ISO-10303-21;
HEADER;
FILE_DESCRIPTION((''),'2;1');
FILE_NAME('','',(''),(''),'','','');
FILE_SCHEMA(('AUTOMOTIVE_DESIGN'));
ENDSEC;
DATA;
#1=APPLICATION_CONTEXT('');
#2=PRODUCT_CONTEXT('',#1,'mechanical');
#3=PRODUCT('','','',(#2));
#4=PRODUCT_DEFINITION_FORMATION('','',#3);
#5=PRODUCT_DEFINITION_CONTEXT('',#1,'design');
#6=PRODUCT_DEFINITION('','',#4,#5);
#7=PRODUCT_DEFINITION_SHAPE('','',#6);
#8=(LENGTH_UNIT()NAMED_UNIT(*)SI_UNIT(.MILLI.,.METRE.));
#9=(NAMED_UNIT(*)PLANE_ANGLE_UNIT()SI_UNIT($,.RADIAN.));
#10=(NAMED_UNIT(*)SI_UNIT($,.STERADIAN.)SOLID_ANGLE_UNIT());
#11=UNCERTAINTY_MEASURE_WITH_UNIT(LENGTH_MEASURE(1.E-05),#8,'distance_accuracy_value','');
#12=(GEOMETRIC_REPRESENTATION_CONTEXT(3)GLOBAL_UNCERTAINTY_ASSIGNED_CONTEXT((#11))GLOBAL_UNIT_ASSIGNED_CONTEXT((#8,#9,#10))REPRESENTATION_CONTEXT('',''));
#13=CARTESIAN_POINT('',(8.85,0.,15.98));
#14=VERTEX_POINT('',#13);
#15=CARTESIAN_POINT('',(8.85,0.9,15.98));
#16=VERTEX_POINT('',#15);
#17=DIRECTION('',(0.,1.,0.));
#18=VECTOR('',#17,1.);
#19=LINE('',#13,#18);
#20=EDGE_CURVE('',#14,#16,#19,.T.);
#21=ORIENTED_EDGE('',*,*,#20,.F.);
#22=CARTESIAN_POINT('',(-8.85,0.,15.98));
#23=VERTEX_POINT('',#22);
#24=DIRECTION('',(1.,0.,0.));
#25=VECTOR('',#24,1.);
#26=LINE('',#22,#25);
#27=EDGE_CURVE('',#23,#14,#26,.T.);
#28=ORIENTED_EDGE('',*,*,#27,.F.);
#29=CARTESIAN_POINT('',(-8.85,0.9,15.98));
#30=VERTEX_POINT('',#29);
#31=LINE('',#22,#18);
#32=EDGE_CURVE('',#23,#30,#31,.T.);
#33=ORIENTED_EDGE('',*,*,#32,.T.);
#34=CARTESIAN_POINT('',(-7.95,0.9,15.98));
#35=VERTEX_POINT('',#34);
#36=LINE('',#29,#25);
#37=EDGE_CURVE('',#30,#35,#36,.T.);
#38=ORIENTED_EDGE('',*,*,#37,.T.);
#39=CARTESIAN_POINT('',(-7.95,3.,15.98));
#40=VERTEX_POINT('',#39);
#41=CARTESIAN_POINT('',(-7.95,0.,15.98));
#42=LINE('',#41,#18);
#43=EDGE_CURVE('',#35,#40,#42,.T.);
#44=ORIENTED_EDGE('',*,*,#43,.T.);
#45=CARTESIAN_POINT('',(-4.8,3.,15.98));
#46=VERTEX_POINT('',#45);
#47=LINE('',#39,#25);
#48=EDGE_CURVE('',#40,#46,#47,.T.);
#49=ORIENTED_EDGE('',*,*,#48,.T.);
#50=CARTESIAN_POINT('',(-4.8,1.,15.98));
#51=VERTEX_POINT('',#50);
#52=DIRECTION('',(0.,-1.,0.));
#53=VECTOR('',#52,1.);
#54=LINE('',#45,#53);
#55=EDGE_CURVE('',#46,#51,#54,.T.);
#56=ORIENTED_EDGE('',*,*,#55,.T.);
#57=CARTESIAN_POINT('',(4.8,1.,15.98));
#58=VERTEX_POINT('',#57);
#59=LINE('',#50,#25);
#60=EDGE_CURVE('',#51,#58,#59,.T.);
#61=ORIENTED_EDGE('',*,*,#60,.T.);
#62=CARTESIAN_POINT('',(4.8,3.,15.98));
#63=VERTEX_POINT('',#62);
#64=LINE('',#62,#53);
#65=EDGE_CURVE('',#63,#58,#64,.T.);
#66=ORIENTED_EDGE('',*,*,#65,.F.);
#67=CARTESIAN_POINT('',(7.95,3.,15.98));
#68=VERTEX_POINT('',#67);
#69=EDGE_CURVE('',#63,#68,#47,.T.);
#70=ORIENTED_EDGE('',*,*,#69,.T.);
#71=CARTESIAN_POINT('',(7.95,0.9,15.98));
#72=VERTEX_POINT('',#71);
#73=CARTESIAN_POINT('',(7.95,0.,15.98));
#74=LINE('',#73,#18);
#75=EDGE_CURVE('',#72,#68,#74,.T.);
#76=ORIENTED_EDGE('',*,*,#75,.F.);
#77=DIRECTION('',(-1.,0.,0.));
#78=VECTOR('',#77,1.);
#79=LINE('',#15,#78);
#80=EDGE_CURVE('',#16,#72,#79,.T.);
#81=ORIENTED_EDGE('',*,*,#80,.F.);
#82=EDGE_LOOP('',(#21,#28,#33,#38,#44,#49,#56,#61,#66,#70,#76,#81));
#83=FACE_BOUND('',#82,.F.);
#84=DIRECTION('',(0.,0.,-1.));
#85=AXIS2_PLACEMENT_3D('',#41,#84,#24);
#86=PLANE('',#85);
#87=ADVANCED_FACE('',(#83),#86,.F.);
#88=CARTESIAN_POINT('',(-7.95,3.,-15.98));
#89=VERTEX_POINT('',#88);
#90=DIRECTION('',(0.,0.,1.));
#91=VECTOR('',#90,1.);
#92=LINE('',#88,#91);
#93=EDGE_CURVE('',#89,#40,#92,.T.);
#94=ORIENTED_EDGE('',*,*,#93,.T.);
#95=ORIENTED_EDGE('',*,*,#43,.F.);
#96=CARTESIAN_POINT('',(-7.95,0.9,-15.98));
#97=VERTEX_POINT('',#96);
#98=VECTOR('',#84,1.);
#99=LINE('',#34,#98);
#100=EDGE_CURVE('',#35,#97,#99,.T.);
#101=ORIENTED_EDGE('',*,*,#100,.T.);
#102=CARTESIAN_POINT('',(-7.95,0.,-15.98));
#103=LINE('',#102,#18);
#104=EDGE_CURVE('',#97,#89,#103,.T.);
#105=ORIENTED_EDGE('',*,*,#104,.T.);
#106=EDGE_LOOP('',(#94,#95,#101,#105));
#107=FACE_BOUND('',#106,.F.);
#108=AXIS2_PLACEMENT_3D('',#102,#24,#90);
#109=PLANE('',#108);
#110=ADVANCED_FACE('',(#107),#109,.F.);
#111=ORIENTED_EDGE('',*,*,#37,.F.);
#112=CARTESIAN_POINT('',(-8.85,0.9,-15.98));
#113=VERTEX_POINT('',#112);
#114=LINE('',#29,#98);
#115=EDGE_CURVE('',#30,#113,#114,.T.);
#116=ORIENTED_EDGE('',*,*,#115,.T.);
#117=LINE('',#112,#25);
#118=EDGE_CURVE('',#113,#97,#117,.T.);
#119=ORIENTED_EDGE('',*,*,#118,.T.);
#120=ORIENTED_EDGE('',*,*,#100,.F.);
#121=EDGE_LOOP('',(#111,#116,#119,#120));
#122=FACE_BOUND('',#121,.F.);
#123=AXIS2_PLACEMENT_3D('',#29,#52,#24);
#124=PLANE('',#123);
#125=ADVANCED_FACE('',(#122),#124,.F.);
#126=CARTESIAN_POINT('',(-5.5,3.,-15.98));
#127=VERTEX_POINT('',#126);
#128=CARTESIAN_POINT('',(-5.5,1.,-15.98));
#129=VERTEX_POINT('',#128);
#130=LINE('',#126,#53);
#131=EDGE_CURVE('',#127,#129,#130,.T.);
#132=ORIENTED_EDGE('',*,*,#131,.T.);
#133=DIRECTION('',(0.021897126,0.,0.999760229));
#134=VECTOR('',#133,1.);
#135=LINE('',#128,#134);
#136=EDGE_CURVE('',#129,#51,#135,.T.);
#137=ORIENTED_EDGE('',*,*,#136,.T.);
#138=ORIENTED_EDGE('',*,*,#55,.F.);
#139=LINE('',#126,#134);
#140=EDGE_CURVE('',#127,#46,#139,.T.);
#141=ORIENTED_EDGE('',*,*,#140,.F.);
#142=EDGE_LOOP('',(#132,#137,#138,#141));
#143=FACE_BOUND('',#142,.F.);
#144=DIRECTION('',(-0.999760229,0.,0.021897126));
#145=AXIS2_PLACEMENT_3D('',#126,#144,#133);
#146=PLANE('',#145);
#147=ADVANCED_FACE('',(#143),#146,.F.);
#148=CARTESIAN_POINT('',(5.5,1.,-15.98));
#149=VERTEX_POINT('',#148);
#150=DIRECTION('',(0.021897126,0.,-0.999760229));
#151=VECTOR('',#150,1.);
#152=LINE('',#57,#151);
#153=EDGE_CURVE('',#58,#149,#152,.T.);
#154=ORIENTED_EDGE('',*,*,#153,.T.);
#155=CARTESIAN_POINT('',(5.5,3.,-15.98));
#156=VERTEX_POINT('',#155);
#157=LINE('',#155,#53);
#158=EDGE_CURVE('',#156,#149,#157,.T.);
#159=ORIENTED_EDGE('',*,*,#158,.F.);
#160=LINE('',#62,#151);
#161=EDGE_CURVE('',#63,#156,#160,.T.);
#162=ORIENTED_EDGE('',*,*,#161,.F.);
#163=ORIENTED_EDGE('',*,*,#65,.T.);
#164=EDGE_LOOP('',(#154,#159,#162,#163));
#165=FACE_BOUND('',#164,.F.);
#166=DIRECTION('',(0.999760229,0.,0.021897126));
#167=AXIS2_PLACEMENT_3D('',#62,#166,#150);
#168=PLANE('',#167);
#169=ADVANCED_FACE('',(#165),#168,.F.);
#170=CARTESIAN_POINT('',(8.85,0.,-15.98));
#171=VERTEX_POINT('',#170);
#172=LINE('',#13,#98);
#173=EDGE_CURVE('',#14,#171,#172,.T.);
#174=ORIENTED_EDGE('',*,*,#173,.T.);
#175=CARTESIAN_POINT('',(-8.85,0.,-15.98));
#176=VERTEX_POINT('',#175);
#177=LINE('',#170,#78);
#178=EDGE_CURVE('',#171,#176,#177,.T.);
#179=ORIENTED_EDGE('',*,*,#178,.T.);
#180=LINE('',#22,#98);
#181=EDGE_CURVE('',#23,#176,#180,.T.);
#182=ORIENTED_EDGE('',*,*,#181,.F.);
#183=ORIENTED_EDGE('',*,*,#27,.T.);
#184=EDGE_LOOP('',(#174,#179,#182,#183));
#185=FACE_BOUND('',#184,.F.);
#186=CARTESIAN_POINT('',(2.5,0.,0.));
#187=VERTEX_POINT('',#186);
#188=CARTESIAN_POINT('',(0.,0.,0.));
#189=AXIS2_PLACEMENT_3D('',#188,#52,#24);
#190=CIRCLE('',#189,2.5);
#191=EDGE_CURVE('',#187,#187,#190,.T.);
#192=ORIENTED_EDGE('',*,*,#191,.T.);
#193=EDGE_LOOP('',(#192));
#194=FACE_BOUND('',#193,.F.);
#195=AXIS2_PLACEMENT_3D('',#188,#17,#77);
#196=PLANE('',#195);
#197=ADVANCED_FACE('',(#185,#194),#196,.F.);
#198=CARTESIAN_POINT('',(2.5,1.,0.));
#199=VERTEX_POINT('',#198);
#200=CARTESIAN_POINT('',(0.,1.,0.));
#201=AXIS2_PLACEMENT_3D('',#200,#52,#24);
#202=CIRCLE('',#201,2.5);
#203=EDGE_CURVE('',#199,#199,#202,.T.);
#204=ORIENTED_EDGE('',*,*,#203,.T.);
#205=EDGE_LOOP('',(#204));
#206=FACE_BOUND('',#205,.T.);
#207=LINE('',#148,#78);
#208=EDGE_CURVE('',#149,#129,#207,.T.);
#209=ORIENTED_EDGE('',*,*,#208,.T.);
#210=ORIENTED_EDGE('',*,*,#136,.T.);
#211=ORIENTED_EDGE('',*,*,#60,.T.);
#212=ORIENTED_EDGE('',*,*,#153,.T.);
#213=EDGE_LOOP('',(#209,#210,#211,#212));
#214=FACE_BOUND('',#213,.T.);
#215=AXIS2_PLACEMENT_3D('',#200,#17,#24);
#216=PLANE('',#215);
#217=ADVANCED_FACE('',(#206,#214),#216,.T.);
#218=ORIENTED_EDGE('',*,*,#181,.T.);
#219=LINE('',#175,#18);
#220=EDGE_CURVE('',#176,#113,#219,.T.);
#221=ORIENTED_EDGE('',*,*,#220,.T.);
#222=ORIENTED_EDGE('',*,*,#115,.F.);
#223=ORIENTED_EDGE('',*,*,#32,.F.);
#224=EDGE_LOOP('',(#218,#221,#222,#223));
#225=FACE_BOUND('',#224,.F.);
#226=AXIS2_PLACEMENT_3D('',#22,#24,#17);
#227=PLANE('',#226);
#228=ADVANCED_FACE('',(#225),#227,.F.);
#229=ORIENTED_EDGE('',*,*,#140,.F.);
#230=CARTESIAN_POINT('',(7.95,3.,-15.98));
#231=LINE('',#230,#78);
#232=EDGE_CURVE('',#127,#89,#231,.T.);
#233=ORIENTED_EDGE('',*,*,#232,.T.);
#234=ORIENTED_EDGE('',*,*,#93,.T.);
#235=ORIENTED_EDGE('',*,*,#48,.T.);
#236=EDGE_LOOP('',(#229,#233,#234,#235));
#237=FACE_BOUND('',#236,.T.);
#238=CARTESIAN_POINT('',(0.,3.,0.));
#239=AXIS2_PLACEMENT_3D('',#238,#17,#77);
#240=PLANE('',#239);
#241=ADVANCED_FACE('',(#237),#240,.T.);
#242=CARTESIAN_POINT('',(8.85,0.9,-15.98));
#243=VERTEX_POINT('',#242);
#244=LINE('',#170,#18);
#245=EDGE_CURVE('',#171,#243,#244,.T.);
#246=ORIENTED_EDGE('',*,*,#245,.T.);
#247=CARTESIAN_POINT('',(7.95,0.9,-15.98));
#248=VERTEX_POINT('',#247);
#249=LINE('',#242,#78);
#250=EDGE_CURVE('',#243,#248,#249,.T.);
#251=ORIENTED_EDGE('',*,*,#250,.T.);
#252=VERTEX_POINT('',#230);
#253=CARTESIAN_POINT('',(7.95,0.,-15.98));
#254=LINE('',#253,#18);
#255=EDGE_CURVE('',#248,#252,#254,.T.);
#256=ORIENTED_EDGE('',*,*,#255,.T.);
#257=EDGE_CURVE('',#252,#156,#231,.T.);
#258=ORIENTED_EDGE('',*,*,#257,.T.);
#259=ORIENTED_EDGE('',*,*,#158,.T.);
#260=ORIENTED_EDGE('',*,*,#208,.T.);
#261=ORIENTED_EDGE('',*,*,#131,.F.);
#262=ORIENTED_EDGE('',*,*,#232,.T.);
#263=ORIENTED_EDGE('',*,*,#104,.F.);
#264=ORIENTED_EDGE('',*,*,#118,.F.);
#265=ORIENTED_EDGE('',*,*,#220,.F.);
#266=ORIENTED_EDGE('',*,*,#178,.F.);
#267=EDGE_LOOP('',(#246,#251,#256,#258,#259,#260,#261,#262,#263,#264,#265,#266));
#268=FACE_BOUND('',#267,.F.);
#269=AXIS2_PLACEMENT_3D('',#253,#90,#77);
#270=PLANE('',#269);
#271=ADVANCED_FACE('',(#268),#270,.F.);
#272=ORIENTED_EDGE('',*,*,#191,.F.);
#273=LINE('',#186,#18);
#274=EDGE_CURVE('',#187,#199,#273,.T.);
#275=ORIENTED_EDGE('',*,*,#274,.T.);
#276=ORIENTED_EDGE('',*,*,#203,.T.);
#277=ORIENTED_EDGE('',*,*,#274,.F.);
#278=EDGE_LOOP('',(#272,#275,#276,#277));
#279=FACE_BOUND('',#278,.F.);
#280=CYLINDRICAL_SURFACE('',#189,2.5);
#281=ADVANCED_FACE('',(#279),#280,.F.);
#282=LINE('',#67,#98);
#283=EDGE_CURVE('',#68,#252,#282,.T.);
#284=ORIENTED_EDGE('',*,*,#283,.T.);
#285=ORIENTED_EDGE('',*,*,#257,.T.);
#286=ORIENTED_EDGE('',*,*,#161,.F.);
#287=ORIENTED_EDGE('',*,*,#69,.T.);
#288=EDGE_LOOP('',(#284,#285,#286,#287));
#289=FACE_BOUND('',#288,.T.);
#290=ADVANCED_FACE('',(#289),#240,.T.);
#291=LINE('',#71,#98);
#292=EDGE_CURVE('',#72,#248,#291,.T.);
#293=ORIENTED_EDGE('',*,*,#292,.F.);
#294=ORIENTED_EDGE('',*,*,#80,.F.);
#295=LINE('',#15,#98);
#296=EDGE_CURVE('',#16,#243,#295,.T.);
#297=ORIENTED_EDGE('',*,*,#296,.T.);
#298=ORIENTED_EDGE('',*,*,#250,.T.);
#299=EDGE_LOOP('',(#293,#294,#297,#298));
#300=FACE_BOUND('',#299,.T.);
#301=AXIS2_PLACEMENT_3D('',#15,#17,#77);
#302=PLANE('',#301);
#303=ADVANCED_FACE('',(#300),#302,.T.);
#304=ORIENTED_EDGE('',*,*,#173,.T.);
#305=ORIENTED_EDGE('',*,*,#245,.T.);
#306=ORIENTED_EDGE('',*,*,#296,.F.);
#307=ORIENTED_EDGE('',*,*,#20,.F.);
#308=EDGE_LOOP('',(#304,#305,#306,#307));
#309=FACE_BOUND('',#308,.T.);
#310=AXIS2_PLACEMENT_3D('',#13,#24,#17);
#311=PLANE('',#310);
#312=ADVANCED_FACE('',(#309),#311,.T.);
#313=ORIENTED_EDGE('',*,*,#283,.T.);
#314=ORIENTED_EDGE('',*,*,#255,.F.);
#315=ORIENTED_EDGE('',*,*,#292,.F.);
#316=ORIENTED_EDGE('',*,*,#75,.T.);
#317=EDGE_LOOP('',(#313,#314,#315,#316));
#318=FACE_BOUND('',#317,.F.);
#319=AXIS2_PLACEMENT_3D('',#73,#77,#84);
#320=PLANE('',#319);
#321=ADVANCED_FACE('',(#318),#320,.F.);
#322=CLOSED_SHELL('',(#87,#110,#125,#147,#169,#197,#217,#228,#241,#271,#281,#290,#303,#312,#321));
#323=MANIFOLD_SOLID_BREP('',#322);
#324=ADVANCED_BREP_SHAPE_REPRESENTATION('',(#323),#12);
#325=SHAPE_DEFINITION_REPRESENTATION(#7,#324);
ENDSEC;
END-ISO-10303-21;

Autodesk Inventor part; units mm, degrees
ref_plane "YZ Plane" through (0, 0, 0) normal (1, 0, 0) x (0, 1, 0)
ref_plane "XZ Plane" through (0, 0, 0) normal (0, 1, 0) x (-1, 0, 0)
ref_plane "XY Plane" through (0, 0, 0) normal (0, 0, 1) x (1, 0, 0)
sketch "Sketch1" plane through (0, 0, 0) normal (0, 1, 0) x (-1, 0, 0)
  line L0 (7.95, 15.98) -> (-7.95, 15.98)
  line L1 (-7.95, 15.98) -> (-7.95, -15.98)
  line L2 (-7.95, -15.98) -> (7.95, -15.98)
  line L3 (7.95, -15.98) -> (7.95, 15.98)
  line L4 (7.95, 15.98) -> (-7.95, -15.98) construction
  line L5 (-7.95, 15.98) -> (7.95, -15.98) construction
  point P0 (0, 0)
  dimension "d0" = 31.96
  dimension "d1" = 15.9
extrude "adapter-arm" add sketch "Sketch1" along normal blind 3
sketch "fanslot" plane through (0, 3, 0) normal (0, 1, 0) x (1, 0, 0)
  line L0 (-4.8, -15.98) -> (4.8, -15.98)
  line L1 (4.8, -15.98) -> (5.5, 15.98)
  line L2 (5.5, 15.98) -> (-5.5, 15.98)
  line L3 (-5.5, 15.98) -> (-4.8, -15.98)
  line L4 (0, 16.157) -> (0, -15.9695) construction
  line L5 (-7.95, -15.98) -> (7.95, -15.98) construction
  line L6 (7.95, 15.98) -> (-7.95, 15.98) construction
  point P0 (0, 0)
  point P1 (0, -15.98)
  point P2 (0, 15.98)
  point P3 (-5.98, -15.98)
  point P4 (5.98, -15.98)
  point P5 (5.98, 15.98)
  point P6 (-5.98, 15.98)
  dimension "d21" = 11
  dimension "d22" = 9.6
extrude "Extrusion3" cut sketch "fanslot" against normal blind 2
sketch "Sketch5" plane through (0, 0, 0) normal (0, -1, 0) x (1, 0, 0)
  circle A0 centre (0, 0) radius 2.5
  dimension "d25" = 5
extrude "Extrusion4" cut sketch "Sketch5" against normal up to next
sketch "Sketch6" plane through (-7.95, 0, 15.98) normal (0, 0, 1) x (1, 0, 0)
  line L0 (0, 0) -> (-0.9, 0)
  line L1 (-0.9, 0) -> (-0.9, 0.9)
  line L2 (-0.9, 0.9) -> (0, 0.9)
  line L3 (0, 0.9) -> (0, 0)
  line L4 (15.9, 0) -> (16.8, 0)
  line L5 (16.8, 0) -> (16.8, 0.9)
  line L6 (16.8, 0.9) -> (15.9, 0.9)
  line L7 (15.9, 0.9) -> (15.9, 0)
  point P0 (7.95, 0)
  dimension "d28" = 0.9
  dimension "d29" = 0.9
  dimension "d30" = 0.9
  dimension "d31" = 0.9
extrude "Extrusion5" add sketch "Sketch6" against normal up to surface (31.96 mm away)
equation "\"d2\" = armthick"
equation "\"d21\" = fanhb"
equation "\"d22\" = fanhs"
equation "\"d23\" = armslotd"
equation "\"printer3dtolerance\" = 0.1"
equation "\"wallw\" = 42"
equation "\"wallh\" = 44"
equation "\"cornerrad\" = 2"
equation "\"baseextra\" = 2"
equation "\"wall1_thick\" = 8"
equation "\"wall2_thick\" = 6.4"
equation "\"wall3_thick\" = 4"
equation "\"wall1slot\" = 8.1"
equation "\"wall2slot\" = 6.5"
equation "\"wall3slot\" = 4.1"
equation "\"gap2\" = 28"
equation "\"baseh\" = 79"
equation "\"basew\" = 44"
equation "\"base_thick\" = 6"
equation "\"base_slots_depth\" = 4"
equation "\"servobigcircledia\" = 11.6"
equation "\"servosmallcircledia\" = 5.9"
equation "\"servo9gw\" = 22.8"
equation "\"servomounth\" = 4"
equation "\"servomountsquare\" = 4"
equation "\"servopolygonr\" = 6.1"
equation "\"servopolygonl\" = 5.9"
equation "\"distancefrombottom\" = 34"
equation "\"distancefromleft\" = 22"
equation "\"wall3slotd\" = 2"
equation "\"wall3slotw\" = 36"
equation "\"adapterh\" = 16"
equation "\"adapterw\" = 32"
equation "\"armw\" = 34"
equation "\"armslotd\" = 2"
equation "\"armthick\" = 3"
equation "\"fanhb\" = 11"
equation "\"fanhs\" = 9.6"
equation "\"adapterwallthick\" = 6"
equation "\"adapterwallslotd\" = 2"
equation "\"hornscrewheadd\" = 3"
equation "\"hornscrewholed\" = 2"
equation "\"hornthick\" = 1.5"
equation "\"armhornthick\" = 3"
properties part number "adapter-slot"
